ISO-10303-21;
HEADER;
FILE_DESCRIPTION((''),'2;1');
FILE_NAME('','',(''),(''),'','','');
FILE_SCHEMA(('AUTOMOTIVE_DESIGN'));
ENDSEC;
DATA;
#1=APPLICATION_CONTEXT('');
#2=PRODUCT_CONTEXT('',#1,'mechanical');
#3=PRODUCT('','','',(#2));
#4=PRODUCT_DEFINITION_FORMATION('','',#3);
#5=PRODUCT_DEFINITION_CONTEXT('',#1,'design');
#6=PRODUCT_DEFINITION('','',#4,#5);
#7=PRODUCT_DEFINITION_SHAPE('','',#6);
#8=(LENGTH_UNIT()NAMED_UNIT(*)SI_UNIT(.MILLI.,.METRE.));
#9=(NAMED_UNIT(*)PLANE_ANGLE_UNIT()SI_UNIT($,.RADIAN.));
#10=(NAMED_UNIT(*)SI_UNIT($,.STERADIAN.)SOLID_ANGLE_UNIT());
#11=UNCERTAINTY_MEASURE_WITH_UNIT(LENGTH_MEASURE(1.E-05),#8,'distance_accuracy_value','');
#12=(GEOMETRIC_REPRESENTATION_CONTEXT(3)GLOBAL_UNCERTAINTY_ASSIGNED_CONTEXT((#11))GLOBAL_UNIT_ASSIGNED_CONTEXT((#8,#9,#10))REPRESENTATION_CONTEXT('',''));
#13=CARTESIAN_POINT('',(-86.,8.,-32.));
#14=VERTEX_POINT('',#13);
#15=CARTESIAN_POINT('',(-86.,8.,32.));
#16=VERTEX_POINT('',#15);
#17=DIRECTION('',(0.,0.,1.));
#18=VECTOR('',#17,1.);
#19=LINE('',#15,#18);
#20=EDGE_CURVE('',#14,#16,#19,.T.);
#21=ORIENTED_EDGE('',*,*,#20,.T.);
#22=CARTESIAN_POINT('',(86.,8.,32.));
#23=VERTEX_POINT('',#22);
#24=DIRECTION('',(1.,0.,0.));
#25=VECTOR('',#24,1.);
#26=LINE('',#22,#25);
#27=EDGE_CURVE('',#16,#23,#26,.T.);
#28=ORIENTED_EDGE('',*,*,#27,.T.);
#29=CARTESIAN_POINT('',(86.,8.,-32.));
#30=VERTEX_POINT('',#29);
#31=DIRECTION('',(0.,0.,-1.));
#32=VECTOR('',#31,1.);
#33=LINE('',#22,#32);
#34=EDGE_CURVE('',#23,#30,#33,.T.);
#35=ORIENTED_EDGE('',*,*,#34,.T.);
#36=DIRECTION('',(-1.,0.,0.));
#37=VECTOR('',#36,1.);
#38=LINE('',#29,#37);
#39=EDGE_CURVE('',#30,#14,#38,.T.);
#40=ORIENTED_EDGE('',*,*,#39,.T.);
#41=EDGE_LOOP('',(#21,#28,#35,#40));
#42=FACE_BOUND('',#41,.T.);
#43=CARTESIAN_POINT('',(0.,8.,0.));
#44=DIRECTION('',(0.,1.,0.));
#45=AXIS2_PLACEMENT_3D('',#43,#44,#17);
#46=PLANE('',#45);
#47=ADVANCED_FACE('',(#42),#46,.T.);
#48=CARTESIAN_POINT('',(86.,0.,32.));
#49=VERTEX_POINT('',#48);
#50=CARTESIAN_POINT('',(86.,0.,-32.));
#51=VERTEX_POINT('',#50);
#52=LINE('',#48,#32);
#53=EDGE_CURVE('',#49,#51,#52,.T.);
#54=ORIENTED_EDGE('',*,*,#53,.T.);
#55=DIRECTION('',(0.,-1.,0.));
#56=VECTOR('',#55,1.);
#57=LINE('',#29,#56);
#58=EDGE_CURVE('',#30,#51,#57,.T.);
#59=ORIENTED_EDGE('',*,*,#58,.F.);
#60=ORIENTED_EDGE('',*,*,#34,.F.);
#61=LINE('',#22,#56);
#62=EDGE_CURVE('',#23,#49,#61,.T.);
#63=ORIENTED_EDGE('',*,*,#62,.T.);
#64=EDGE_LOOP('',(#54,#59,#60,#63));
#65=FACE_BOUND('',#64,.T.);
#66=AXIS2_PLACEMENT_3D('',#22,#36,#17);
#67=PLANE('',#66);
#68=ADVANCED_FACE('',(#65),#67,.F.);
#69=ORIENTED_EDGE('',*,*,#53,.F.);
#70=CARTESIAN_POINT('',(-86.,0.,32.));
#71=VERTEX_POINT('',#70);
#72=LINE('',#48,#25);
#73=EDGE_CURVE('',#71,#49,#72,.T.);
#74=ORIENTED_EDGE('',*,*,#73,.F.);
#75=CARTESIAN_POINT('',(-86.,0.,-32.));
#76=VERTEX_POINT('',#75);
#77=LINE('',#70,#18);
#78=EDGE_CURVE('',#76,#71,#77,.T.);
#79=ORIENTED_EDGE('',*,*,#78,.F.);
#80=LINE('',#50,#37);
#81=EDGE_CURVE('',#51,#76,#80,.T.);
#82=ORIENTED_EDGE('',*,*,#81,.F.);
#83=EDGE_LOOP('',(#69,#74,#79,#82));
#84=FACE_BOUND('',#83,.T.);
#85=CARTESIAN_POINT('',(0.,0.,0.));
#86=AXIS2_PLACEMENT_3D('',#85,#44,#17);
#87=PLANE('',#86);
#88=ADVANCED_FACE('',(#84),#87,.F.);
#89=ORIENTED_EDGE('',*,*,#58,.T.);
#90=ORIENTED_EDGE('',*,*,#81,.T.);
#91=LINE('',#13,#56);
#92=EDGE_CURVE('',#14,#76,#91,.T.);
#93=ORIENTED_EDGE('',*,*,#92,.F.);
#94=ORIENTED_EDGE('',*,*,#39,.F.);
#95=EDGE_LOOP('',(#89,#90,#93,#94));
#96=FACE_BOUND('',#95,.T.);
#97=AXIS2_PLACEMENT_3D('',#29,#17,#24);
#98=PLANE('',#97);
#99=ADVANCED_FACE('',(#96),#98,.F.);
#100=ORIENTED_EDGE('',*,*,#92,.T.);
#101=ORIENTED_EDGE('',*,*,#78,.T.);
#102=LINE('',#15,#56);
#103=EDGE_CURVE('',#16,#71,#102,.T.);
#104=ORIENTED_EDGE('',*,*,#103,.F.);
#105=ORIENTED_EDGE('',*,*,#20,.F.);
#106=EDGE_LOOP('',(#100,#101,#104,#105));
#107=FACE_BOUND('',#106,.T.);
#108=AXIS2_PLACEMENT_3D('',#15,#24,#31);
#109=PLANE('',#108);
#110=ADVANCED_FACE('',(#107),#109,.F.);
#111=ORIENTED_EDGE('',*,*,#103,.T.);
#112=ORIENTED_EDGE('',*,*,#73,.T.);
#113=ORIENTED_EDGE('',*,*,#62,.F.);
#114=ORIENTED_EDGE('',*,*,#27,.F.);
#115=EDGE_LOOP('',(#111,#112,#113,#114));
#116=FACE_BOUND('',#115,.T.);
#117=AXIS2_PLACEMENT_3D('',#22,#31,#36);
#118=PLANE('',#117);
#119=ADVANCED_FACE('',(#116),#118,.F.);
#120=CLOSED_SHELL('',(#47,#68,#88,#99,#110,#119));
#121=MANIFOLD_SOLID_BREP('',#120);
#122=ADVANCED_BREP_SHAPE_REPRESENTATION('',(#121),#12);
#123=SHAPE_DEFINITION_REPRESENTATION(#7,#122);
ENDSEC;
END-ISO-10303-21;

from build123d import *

# Parameters (mm, degrees)
CROQUIS1_W              = 172
CROQUIS1_H              = 64
SALIENTE_EXTRUIR1_DEPTH = 8


with BuildPart() as part:
    # Croquis1 → Saliente-Extruir1 (new body)
    with BuildSketch(Plane(origin=(0, 0, 0), x_dir=(1, 0, 0), z_dir=(0, 1, 0))):
        Rectangle(CROQUIS1_W, CROQUIS1_H)
    extrude(amount=SALIENTE_EXTRUIR1_DEPTH)


solid = part.part
